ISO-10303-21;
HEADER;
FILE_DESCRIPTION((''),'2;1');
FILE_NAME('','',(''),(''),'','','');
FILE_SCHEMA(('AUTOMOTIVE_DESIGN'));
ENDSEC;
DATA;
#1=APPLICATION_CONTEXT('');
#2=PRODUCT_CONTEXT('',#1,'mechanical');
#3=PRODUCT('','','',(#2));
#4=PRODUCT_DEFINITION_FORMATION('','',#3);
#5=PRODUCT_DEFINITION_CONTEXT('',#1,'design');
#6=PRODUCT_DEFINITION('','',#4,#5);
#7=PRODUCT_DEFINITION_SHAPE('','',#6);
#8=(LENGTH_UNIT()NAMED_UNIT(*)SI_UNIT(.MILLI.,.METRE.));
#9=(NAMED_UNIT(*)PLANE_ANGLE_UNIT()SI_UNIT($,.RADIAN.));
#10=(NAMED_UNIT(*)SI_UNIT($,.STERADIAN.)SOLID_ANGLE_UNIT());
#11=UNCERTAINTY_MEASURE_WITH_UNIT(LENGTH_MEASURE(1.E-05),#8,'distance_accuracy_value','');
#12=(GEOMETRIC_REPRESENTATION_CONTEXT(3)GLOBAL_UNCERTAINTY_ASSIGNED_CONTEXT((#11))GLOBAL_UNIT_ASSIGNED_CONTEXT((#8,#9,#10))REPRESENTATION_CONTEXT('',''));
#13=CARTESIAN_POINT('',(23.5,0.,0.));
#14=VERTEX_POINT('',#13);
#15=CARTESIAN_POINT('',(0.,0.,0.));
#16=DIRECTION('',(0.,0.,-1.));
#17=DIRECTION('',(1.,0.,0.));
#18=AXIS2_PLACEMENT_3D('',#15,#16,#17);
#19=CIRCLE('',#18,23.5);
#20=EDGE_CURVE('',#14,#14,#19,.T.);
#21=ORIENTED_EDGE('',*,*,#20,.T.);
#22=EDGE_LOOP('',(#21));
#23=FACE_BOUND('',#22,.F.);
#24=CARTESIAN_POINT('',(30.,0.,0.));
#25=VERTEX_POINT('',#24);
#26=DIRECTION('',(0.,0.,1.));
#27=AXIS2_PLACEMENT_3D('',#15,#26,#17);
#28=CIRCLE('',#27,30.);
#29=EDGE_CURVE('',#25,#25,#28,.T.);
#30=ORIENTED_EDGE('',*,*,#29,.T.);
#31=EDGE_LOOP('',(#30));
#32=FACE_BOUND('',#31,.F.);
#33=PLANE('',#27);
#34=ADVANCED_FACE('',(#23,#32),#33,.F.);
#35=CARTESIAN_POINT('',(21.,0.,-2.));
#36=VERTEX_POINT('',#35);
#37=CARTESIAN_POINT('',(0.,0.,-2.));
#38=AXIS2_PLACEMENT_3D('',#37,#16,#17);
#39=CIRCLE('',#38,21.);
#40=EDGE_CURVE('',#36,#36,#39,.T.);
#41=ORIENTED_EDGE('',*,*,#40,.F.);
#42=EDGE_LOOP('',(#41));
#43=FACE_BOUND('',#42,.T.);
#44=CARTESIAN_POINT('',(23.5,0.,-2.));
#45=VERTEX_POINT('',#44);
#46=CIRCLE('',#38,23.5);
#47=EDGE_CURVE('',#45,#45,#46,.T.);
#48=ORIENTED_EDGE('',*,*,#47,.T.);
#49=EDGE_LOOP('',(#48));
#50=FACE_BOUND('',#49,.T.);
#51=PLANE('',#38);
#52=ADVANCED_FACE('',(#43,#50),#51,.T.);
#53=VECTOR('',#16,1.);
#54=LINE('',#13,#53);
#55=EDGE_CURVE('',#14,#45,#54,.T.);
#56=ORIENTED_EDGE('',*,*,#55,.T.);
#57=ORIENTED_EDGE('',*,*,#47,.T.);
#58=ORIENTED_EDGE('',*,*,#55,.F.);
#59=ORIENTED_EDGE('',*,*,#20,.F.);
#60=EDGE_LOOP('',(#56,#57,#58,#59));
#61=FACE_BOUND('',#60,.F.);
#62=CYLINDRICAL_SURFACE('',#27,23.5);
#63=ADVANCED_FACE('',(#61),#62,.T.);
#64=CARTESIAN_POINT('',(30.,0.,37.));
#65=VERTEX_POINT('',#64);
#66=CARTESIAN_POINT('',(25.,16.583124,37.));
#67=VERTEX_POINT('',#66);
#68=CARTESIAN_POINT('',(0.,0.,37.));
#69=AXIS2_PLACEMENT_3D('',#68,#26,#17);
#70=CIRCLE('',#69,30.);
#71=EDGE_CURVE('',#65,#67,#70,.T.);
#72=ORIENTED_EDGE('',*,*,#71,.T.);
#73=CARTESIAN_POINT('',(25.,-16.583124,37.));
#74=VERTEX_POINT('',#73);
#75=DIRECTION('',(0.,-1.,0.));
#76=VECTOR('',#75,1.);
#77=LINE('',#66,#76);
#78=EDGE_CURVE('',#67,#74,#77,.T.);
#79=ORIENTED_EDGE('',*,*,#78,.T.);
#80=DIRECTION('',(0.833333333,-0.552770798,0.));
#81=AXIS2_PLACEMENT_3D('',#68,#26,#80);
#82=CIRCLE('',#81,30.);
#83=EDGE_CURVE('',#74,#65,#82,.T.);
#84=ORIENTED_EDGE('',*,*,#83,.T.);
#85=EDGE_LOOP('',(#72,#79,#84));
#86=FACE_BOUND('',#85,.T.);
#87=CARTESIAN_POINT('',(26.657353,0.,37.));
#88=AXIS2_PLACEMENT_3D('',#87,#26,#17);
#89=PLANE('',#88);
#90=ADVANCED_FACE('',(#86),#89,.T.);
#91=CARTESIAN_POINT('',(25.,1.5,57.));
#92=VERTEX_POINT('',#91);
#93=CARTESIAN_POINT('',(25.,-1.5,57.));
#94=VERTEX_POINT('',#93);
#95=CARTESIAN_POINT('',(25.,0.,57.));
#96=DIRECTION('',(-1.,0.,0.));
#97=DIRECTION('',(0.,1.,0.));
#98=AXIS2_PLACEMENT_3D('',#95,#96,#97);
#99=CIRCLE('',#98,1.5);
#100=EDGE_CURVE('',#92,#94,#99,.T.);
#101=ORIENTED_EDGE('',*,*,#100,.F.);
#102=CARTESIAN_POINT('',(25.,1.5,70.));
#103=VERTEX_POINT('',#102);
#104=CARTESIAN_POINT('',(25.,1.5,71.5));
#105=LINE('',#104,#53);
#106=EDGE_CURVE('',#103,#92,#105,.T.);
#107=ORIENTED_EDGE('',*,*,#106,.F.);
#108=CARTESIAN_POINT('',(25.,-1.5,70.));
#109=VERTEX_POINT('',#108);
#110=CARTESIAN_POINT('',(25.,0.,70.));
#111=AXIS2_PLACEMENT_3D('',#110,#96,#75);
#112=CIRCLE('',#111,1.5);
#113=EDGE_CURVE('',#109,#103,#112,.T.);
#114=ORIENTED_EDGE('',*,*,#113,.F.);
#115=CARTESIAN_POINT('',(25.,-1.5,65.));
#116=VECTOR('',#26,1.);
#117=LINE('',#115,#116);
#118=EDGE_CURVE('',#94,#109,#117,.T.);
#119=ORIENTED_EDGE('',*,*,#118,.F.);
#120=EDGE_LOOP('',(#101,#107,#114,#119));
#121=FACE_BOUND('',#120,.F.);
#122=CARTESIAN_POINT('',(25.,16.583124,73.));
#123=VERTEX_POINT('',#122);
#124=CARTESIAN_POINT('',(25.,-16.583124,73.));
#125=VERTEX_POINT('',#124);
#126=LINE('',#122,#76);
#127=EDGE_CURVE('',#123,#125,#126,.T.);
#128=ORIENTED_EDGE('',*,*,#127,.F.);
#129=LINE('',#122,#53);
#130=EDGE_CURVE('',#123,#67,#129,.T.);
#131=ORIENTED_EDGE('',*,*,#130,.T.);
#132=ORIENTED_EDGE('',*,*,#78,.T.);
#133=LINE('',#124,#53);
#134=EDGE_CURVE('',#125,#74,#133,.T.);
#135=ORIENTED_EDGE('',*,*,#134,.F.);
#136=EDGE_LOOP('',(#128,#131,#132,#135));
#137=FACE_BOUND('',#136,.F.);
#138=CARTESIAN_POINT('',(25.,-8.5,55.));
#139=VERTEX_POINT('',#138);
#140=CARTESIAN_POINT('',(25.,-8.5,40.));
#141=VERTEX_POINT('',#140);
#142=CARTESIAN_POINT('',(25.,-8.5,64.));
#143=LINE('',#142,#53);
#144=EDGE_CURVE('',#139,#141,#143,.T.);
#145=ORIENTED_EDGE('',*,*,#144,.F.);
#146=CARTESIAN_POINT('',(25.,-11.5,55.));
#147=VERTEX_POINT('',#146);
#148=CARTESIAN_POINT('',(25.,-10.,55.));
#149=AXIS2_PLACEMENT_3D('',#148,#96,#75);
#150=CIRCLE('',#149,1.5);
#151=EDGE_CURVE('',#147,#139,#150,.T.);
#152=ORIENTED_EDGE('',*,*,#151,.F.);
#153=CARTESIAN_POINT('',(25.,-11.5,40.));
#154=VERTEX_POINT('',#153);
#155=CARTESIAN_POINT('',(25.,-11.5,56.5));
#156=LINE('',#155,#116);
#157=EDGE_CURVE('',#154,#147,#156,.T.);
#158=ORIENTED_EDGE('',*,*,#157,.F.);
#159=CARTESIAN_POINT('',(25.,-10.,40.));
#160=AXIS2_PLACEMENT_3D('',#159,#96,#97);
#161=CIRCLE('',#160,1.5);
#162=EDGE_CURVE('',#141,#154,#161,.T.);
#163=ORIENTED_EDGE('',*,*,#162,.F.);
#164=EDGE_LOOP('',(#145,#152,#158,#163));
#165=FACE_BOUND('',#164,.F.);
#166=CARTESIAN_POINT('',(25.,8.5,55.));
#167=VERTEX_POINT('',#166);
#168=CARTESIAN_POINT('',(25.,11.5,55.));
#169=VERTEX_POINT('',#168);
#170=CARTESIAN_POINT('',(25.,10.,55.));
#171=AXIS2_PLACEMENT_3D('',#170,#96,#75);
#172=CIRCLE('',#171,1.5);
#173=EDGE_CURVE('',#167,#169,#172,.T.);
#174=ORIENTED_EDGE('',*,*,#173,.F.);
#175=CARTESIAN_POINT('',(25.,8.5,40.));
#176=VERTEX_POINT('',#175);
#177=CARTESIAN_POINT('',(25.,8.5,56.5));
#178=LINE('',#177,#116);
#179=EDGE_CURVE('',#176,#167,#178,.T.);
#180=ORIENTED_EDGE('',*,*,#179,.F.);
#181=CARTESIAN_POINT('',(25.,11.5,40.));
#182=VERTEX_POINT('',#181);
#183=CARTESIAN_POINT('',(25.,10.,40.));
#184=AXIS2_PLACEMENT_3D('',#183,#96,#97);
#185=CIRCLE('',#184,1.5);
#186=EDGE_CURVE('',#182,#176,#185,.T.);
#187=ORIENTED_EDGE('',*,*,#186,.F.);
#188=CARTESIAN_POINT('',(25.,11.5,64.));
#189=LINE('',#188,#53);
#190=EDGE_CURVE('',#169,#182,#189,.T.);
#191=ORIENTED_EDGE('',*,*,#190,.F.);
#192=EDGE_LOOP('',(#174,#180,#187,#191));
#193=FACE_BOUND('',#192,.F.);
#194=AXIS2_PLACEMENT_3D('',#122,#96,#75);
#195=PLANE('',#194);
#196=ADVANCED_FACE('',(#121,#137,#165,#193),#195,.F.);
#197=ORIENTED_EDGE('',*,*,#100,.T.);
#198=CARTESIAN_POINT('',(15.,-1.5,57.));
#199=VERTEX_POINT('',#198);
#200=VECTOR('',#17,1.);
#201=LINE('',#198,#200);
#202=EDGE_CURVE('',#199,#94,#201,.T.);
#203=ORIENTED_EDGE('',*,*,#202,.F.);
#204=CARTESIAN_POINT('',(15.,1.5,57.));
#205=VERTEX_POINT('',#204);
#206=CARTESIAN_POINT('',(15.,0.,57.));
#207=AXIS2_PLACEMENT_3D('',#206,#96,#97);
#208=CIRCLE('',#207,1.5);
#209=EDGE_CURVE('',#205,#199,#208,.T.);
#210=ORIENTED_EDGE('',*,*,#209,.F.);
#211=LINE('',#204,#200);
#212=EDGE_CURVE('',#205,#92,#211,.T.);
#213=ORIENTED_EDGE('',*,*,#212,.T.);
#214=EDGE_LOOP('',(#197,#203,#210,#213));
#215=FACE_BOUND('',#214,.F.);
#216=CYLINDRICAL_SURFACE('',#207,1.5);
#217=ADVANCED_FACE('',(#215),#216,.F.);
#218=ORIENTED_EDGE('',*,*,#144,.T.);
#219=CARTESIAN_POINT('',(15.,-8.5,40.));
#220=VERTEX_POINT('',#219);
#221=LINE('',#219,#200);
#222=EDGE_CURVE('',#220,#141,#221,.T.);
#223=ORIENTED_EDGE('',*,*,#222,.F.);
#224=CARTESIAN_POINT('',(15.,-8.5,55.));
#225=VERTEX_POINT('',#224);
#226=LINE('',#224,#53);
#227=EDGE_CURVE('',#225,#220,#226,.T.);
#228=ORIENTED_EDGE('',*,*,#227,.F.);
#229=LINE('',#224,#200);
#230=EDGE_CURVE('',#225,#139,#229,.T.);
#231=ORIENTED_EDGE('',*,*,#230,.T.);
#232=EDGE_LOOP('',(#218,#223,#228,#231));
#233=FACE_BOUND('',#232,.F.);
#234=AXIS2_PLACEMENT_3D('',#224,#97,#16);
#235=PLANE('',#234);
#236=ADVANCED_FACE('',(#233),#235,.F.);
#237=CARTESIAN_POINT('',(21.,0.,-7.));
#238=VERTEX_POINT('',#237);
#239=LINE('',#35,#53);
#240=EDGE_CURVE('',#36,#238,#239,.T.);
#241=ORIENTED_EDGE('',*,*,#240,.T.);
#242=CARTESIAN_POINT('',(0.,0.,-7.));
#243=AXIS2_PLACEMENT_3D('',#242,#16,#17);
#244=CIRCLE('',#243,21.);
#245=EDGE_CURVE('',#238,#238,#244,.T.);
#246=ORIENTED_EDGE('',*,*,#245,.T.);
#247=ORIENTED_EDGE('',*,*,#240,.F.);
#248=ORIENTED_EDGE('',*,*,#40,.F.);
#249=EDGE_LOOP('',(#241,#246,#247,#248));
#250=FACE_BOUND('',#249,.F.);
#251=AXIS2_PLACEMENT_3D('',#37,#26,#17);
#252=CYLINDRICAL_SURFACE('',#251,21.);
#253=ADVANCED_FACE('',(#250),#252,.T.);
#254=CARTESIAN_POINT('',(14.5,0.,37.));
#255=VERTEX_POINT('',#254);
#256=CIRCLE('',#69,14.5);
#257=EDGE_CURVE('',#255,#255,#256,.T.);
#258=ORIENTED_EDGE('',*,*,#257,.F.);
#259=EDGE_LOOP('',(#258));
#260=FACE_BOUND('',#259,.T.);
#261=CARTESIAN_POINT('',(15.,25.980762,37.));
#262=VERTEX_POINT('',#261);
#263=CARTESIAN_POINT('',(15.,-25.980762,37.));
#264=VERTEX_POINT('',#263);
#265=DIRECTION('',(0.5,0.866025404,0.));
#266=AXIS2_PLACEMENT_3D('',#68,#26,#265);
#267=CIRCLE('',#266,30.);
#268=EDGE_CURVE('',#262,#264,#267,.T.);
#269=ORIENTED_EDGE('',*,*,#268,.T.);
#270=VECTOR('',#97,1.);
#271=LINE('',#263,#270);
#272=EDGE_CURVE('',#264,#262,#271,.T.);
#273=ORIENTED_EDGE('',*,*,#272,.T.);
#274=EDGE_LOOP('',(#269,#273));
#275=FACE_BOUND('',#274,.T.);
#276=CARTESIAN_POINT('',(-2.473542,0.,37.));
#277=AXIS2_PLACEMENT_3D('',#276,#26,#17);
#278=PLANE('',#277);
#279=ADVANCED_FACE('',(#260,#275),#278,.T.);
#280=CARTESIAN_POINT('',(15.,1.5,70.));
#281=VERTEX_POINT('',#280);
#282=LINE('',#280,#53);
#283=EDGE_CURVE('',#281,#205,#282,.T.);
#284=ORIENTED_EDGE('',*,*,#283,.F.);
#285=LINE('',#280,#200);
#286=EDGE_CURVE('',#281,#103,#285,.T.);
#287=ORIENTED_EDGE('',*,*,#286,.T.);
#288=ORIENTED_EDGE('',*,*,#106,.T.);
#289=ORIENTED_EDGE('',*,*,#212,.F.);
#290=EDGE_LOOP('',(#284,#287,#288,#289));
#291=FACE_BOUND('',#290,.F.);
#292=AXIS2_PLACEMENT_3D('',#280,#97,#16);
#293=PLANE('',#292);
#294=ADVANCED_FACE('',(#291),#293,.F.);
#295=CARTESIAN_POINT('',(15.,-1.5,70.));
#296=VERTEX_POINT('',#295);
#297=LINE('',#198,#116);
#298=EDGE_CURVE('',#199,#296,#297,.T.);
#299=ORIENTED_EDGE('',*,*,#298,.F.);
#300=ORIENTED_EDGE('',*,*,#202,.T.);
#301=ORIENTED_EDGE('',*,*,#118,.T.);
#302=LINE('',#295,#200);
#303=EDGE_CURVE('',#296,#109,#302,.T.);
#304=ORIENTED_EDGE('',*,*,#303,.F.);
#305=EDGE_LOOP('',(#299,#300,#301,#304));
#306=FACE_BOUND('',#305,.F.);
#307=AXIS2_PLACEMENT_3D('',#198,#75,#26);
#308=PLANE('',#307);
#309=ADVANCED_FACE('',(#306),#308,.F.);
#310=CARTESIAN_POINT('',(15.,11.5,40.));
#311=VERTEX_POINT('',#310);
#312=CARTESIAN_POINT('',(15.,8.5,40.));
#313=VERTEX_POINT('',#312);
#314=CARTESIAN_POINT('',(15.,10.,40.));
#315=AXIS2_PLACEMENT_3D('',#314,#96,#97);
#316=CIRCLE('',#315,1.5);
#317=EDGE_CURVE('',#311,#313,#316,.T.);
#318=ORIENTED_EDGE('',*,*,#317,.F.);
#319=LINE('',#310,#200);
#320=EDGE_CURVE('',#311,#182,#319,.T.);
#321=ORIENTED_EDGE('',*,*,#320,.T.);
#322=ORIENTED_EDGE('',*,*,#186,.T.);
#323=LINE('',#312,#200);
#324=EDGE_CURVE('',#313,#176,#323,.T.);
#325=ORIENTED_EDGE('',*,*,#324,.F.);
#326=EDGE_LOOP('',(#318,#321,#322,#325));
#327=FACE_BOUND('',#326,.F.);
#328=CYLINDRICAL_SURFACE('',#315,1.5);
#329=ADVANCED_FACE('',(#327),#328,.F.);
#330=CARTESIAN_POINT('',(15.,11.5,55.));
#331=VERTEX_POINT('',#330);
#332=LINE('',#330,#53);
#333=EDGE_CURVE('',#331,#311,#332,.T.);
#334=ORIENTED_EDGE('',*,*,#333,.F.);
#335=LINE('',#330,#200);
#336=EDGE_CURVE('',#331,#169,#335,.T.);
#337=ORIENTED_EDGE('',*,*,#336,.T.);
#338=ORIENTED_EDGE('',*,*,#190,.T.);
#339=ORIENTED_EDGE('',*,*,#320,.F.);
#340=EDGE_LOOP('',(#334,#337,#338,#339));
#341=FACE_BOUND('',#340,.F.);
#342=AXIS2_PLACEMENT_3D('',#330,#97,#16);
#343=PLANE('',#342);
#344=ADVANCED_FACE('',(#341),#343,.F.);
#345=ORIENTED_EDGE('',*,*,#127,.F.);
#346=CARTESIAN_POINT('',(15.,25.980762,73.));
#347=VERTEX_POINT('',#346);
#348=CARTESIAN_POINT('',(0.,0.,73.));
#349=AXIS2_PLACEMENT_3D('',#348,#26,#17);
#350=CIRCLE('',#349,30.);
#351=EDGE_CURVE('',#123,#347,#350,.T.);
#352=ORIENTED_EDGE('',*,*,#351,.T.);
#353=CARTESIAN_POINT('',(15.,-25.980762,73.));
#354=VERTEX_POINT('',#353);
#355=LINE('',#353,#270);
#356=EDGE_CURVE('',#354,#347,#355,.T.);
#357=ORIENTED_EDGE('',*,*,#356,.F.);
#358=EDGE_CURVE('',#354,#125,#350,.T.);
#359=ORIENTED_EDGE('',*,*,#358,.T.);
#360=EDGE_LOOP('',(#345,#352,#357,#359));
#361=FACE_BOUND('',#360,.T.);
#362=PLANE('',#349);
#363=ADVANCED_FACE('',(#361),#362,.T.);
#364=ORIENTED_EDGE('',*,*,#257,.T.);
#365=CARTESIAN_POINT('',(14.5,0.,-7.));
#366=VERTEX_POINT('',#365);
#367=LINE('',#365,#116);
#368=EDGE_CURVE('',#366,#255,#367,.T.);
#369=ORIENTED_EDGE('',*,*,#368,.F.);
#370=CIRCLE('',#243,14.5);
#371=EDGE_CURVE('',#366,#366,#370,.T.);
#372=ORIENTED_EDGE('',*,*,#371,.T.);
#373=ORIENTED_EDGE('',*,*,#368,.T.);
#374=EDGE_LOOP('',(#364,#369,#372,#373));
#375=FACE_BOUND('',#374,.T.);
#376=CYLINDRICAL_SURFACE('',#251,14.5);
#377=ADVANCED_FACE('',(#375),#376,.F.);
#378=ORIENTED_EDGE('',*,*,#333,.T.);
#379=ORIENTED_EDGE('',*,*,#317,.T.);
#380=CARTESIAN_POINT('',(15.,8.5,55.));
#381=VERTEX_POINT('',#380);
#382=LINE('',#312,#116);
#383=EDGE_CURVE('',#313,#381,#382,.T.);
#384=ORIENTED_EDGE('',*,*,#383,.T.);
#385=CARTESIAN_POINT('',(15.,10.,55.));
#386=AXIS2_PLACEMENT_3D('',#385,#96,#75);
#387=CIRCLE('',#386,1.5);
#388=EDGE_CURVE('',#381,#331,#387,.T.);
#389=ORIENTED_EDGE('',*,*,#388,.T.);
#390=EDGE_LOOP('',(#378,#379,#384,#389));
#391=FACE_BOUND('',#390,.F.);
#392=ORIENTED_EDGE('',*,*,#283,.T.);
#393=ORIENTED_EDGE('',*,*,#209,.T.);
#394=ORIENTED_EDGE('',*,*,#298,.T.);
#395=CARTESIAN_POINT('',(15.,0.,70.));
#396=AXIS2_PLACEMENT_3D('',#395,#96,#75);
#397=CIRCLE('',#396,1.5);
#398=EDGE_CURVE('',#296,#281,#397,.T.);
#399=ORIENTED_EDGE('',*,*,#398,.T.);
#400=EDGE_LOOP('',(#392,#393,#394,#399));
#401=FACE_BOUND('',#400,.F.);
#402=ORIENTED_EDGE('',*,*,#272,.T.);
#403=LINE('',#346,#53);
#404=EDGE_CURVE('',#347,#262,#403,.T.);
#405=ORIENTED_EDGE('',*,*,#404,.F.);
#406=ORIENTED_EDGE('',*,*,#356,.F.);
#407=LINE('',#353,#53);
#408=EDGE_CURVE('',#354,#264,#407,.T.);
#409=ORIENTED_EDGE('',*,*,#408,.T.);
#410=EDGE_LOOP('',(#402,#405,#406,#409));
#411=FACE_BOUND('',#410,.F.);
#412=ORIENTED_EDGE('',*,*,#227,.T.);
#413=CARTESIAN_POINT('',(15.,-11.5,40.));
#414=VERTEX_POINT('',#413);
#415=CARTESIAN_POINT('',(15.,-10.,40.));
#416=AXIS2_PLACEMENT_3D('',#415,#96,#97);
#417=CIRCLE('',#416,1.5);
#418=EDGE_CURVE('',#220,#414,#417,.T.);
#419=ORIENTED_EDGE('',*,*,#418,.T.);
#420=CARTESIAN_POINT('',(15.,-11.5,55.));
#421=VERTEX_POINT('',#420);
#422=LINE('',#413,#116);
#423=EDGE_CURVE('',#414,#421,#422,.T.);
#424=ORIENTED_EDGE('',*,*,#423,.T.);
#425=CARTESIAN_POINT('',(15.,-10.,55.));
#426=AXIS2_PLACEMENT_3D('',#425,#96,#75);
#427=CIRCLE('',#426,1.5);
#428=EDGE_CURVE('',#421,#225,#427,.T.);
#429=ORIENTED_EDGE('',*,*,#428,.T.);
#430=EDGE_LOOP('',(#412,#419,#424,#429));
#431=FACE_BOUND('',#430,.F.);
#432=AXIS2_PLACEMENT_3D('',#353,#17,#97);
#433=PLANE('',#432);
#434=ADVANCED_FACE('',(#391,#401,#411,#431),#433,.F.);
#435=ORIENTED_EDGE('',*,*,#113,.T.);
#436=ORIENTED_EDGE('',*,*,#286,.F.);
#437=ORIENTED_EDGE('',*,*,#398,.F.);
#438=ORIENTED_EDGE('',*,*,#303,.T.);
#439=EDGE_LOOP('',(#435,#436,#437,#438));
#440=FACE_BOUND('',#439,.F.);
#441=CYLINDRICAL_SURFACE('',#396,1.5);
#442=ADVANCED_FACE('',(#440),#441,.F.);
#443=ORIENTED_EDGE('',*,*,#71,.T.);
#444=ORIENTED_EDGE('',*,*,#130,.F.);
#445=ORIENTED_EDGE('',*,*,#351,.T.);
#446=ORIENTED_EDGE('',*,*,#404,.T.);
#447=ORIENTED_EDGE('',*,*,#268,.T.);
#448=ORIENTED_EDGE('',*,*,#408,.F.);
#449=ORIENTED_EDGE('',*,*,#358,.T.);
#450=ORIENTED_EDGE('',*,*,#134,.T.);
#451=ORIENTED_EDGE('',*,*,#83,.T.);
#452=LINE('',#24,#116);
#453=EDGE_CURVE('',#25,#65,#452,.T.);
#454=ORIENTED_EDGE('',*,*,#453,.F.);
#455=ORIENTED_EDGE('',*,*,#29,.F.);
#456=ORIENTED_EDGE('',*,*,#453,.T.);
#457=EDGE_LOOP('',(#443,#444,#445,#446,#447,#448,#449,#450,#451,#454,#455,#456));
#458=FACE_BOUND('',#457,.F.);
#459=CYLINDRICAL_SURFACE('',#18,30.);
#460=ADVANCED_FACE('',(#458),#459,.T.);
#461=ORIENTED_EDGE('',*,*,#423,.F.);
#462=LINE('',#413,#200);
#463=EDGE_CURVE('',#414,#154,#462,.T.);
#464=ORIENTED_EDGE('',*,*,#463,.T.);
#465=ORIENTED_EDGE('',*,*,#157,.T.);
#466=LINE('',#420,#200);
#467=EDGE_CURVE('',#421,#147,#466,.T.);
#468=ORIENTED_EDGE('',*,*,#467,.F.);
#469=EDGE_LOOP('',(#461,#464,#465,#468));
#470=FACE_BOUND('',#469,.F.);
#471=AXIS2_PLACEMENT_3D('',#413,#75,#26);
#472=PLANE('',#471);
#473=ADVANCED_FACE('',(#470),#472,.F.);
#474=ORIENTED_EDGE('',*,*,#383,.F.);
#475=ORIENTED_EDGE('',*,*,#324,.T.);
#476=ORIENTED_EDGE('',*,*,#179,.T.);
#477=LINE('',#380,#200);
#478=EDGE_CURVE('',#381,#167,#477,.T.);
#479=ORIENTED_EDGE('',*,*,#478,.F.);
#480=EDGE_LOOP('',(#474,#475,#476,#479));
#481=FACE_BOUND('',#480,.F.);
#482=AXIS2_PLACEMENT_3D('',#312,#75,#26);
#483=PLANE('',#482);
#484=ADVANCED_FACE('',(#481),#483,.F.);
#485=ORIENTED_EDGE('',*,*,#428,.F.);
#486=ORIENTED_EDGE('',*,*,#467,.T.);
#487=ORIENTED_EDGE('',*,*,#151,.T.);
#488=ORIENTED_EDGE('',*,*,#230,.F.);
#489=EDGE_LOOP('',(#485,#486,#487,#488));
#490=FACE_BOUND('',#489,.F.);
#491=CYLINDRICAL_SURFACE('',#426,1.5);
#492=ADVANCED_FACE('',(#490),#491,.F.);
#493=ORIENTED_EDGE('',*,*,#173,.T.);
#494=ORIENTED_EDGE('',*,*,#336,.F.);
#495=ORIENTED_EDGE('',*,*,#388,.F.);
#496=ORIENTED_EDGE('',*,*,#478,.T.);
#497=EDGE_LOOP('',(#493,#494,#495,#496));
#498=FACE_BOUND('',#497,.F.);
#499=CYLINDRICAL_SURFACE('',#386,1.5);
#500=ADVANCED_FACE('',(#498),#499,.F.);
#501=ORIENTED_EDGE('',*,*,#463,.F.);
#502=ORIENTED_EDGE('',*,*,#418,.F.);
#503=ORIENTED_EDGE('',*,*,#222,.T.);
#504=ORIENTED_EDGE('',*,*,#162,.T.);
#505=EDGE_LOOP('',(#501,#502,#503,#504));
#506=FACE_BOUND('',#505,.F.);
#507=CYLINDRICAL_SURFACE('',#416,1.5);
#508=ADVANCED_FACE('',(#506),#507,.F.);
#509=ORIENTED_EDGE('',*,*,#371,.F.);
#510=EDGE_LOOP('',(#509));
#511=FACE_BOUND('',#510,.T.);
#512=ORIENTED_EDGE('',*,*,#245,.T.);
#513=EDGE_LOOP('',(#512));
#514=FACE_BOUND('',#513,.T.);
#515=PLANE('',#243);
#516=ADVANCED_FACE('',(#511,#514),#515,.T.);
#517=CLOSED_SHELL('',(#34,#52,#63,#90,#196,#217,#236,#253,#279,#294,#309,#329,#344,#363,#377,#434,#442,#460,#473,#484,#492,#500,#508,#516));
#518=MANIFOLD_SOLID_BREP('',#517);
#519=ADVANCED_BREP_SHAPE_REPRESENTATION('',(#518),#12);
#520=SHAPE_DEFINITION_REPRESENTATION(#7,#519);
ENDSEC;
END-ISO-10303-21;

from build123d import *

# Parameters (mm, degrees)
F0_R     = 30
F0_R_2   = 14.5
F1_DEPTH = 73
F2_R     = 23.5
F2_R_2   = 14.5
F3_DEPTH = 2
F4_R     = 21
F4_R_2   = 14.5
F5_DEPTH = 5
F6_R     = 14.5
F7_DEPTH = 36
F9_DEPTH = 15.001


with BuildPart() as f1:
    # F0 (on Top) → F1 (new body)
    with BuildSketch(Plane.XY):
        Circle(F0_R)
        Circle(F0_R_2, mode=Mode.SUBTRACT)
    extrude(amount=F1_DEPTH)

    # F2 (on face) → F3 (join)
    with BuildSketch(Plane(origin=(0, 0, 0), x_dir=(1, 0, 0), z_dir=(0, 0, -1))):
        Circle(F2_R)
        Circle(F2_R_2, mode=Mode.SUBTRACT)
    extrude(amount=F3_DEPTH)

    # F4 (on face) → F5 (join)
    with BuildSketch(Plane(origin=(0, 0, -2), x_dir=(1, 0, 0), z_dir=(0, 0, -1))):
        Circle(F4_R)
        Circle(F4_R_2, mode=Mode.SUBTRACT)
    extrude(amount=F5_DEPTH)

    # F6 (on face) → F7 (cut)
    with BuildSketch(Plane.XY.offset(73)):
        with BuildLine():
            Line((15, -25.9807621135), (15, 25.9807621135))
            ThreePointArc((15, 25.9807621135), (-30, 0), (15, -25.9807621135))
        make_face()
        Circle(F6_R, mode=Mode.SUBTRACT)
        with BuildLine():
            ThreePointArc((30, 0), (28.7228132327, 8.6602540378), (25, 16.5831239518))
            Line((25, 16.5831239518), (25, -16.5831239518))
            ThreePointArc((25, -16.5831239518), (28.7228132327, -8.6602540378), (30, 0))
        make_face()
    extrude(amount=-F7_DEPTH, mode=Mode.SUBTRACT)

    # F8 (on face) → F9 (cut, through all)
    with BuildSketch(Plane(origin=(15, 0, 0), x_dir=(0, -1, 0), z_dir=(-1, 0, 0))):
        with BuildLine():
            Line((-11.5, 55), (-11.5, 40))
            ThreePointArc((-11.5, 40), (-10, 38.5), (-8.5, 40))
            Line((-8.5, 40), (-8.5, 55))
            ThreePointArc((-8.5, 55), (-10, 56.5), (-11.5, 55))
        make_face()
        with BuildLine():
            Line((8.5, 55), (8.5, 40))
            ThreePointArc((8.5, 40), (10, 38.5), (11.5, 40))
            Line((11.5, 40), (11.5, 55))
            ThreePointArc((11.5, 55), (10, 56.5), (8.5, 55))
        make_face()
        with BuildLine():
            Line((-1.5, 70), (-1.5, 57))
            ThreePointArc((-1.5, 57), (0, 55.5), (1.5, 57))
            Line((1.5, 57), (1.5, 70))
            ThreePointArc((1.5, 70), (0, 71.5), (-1.5, 70))
        make_face()
    extrude(amount=-F9_DEPTH, mode=Mode.SUBTRACT)


solid = f1.part
